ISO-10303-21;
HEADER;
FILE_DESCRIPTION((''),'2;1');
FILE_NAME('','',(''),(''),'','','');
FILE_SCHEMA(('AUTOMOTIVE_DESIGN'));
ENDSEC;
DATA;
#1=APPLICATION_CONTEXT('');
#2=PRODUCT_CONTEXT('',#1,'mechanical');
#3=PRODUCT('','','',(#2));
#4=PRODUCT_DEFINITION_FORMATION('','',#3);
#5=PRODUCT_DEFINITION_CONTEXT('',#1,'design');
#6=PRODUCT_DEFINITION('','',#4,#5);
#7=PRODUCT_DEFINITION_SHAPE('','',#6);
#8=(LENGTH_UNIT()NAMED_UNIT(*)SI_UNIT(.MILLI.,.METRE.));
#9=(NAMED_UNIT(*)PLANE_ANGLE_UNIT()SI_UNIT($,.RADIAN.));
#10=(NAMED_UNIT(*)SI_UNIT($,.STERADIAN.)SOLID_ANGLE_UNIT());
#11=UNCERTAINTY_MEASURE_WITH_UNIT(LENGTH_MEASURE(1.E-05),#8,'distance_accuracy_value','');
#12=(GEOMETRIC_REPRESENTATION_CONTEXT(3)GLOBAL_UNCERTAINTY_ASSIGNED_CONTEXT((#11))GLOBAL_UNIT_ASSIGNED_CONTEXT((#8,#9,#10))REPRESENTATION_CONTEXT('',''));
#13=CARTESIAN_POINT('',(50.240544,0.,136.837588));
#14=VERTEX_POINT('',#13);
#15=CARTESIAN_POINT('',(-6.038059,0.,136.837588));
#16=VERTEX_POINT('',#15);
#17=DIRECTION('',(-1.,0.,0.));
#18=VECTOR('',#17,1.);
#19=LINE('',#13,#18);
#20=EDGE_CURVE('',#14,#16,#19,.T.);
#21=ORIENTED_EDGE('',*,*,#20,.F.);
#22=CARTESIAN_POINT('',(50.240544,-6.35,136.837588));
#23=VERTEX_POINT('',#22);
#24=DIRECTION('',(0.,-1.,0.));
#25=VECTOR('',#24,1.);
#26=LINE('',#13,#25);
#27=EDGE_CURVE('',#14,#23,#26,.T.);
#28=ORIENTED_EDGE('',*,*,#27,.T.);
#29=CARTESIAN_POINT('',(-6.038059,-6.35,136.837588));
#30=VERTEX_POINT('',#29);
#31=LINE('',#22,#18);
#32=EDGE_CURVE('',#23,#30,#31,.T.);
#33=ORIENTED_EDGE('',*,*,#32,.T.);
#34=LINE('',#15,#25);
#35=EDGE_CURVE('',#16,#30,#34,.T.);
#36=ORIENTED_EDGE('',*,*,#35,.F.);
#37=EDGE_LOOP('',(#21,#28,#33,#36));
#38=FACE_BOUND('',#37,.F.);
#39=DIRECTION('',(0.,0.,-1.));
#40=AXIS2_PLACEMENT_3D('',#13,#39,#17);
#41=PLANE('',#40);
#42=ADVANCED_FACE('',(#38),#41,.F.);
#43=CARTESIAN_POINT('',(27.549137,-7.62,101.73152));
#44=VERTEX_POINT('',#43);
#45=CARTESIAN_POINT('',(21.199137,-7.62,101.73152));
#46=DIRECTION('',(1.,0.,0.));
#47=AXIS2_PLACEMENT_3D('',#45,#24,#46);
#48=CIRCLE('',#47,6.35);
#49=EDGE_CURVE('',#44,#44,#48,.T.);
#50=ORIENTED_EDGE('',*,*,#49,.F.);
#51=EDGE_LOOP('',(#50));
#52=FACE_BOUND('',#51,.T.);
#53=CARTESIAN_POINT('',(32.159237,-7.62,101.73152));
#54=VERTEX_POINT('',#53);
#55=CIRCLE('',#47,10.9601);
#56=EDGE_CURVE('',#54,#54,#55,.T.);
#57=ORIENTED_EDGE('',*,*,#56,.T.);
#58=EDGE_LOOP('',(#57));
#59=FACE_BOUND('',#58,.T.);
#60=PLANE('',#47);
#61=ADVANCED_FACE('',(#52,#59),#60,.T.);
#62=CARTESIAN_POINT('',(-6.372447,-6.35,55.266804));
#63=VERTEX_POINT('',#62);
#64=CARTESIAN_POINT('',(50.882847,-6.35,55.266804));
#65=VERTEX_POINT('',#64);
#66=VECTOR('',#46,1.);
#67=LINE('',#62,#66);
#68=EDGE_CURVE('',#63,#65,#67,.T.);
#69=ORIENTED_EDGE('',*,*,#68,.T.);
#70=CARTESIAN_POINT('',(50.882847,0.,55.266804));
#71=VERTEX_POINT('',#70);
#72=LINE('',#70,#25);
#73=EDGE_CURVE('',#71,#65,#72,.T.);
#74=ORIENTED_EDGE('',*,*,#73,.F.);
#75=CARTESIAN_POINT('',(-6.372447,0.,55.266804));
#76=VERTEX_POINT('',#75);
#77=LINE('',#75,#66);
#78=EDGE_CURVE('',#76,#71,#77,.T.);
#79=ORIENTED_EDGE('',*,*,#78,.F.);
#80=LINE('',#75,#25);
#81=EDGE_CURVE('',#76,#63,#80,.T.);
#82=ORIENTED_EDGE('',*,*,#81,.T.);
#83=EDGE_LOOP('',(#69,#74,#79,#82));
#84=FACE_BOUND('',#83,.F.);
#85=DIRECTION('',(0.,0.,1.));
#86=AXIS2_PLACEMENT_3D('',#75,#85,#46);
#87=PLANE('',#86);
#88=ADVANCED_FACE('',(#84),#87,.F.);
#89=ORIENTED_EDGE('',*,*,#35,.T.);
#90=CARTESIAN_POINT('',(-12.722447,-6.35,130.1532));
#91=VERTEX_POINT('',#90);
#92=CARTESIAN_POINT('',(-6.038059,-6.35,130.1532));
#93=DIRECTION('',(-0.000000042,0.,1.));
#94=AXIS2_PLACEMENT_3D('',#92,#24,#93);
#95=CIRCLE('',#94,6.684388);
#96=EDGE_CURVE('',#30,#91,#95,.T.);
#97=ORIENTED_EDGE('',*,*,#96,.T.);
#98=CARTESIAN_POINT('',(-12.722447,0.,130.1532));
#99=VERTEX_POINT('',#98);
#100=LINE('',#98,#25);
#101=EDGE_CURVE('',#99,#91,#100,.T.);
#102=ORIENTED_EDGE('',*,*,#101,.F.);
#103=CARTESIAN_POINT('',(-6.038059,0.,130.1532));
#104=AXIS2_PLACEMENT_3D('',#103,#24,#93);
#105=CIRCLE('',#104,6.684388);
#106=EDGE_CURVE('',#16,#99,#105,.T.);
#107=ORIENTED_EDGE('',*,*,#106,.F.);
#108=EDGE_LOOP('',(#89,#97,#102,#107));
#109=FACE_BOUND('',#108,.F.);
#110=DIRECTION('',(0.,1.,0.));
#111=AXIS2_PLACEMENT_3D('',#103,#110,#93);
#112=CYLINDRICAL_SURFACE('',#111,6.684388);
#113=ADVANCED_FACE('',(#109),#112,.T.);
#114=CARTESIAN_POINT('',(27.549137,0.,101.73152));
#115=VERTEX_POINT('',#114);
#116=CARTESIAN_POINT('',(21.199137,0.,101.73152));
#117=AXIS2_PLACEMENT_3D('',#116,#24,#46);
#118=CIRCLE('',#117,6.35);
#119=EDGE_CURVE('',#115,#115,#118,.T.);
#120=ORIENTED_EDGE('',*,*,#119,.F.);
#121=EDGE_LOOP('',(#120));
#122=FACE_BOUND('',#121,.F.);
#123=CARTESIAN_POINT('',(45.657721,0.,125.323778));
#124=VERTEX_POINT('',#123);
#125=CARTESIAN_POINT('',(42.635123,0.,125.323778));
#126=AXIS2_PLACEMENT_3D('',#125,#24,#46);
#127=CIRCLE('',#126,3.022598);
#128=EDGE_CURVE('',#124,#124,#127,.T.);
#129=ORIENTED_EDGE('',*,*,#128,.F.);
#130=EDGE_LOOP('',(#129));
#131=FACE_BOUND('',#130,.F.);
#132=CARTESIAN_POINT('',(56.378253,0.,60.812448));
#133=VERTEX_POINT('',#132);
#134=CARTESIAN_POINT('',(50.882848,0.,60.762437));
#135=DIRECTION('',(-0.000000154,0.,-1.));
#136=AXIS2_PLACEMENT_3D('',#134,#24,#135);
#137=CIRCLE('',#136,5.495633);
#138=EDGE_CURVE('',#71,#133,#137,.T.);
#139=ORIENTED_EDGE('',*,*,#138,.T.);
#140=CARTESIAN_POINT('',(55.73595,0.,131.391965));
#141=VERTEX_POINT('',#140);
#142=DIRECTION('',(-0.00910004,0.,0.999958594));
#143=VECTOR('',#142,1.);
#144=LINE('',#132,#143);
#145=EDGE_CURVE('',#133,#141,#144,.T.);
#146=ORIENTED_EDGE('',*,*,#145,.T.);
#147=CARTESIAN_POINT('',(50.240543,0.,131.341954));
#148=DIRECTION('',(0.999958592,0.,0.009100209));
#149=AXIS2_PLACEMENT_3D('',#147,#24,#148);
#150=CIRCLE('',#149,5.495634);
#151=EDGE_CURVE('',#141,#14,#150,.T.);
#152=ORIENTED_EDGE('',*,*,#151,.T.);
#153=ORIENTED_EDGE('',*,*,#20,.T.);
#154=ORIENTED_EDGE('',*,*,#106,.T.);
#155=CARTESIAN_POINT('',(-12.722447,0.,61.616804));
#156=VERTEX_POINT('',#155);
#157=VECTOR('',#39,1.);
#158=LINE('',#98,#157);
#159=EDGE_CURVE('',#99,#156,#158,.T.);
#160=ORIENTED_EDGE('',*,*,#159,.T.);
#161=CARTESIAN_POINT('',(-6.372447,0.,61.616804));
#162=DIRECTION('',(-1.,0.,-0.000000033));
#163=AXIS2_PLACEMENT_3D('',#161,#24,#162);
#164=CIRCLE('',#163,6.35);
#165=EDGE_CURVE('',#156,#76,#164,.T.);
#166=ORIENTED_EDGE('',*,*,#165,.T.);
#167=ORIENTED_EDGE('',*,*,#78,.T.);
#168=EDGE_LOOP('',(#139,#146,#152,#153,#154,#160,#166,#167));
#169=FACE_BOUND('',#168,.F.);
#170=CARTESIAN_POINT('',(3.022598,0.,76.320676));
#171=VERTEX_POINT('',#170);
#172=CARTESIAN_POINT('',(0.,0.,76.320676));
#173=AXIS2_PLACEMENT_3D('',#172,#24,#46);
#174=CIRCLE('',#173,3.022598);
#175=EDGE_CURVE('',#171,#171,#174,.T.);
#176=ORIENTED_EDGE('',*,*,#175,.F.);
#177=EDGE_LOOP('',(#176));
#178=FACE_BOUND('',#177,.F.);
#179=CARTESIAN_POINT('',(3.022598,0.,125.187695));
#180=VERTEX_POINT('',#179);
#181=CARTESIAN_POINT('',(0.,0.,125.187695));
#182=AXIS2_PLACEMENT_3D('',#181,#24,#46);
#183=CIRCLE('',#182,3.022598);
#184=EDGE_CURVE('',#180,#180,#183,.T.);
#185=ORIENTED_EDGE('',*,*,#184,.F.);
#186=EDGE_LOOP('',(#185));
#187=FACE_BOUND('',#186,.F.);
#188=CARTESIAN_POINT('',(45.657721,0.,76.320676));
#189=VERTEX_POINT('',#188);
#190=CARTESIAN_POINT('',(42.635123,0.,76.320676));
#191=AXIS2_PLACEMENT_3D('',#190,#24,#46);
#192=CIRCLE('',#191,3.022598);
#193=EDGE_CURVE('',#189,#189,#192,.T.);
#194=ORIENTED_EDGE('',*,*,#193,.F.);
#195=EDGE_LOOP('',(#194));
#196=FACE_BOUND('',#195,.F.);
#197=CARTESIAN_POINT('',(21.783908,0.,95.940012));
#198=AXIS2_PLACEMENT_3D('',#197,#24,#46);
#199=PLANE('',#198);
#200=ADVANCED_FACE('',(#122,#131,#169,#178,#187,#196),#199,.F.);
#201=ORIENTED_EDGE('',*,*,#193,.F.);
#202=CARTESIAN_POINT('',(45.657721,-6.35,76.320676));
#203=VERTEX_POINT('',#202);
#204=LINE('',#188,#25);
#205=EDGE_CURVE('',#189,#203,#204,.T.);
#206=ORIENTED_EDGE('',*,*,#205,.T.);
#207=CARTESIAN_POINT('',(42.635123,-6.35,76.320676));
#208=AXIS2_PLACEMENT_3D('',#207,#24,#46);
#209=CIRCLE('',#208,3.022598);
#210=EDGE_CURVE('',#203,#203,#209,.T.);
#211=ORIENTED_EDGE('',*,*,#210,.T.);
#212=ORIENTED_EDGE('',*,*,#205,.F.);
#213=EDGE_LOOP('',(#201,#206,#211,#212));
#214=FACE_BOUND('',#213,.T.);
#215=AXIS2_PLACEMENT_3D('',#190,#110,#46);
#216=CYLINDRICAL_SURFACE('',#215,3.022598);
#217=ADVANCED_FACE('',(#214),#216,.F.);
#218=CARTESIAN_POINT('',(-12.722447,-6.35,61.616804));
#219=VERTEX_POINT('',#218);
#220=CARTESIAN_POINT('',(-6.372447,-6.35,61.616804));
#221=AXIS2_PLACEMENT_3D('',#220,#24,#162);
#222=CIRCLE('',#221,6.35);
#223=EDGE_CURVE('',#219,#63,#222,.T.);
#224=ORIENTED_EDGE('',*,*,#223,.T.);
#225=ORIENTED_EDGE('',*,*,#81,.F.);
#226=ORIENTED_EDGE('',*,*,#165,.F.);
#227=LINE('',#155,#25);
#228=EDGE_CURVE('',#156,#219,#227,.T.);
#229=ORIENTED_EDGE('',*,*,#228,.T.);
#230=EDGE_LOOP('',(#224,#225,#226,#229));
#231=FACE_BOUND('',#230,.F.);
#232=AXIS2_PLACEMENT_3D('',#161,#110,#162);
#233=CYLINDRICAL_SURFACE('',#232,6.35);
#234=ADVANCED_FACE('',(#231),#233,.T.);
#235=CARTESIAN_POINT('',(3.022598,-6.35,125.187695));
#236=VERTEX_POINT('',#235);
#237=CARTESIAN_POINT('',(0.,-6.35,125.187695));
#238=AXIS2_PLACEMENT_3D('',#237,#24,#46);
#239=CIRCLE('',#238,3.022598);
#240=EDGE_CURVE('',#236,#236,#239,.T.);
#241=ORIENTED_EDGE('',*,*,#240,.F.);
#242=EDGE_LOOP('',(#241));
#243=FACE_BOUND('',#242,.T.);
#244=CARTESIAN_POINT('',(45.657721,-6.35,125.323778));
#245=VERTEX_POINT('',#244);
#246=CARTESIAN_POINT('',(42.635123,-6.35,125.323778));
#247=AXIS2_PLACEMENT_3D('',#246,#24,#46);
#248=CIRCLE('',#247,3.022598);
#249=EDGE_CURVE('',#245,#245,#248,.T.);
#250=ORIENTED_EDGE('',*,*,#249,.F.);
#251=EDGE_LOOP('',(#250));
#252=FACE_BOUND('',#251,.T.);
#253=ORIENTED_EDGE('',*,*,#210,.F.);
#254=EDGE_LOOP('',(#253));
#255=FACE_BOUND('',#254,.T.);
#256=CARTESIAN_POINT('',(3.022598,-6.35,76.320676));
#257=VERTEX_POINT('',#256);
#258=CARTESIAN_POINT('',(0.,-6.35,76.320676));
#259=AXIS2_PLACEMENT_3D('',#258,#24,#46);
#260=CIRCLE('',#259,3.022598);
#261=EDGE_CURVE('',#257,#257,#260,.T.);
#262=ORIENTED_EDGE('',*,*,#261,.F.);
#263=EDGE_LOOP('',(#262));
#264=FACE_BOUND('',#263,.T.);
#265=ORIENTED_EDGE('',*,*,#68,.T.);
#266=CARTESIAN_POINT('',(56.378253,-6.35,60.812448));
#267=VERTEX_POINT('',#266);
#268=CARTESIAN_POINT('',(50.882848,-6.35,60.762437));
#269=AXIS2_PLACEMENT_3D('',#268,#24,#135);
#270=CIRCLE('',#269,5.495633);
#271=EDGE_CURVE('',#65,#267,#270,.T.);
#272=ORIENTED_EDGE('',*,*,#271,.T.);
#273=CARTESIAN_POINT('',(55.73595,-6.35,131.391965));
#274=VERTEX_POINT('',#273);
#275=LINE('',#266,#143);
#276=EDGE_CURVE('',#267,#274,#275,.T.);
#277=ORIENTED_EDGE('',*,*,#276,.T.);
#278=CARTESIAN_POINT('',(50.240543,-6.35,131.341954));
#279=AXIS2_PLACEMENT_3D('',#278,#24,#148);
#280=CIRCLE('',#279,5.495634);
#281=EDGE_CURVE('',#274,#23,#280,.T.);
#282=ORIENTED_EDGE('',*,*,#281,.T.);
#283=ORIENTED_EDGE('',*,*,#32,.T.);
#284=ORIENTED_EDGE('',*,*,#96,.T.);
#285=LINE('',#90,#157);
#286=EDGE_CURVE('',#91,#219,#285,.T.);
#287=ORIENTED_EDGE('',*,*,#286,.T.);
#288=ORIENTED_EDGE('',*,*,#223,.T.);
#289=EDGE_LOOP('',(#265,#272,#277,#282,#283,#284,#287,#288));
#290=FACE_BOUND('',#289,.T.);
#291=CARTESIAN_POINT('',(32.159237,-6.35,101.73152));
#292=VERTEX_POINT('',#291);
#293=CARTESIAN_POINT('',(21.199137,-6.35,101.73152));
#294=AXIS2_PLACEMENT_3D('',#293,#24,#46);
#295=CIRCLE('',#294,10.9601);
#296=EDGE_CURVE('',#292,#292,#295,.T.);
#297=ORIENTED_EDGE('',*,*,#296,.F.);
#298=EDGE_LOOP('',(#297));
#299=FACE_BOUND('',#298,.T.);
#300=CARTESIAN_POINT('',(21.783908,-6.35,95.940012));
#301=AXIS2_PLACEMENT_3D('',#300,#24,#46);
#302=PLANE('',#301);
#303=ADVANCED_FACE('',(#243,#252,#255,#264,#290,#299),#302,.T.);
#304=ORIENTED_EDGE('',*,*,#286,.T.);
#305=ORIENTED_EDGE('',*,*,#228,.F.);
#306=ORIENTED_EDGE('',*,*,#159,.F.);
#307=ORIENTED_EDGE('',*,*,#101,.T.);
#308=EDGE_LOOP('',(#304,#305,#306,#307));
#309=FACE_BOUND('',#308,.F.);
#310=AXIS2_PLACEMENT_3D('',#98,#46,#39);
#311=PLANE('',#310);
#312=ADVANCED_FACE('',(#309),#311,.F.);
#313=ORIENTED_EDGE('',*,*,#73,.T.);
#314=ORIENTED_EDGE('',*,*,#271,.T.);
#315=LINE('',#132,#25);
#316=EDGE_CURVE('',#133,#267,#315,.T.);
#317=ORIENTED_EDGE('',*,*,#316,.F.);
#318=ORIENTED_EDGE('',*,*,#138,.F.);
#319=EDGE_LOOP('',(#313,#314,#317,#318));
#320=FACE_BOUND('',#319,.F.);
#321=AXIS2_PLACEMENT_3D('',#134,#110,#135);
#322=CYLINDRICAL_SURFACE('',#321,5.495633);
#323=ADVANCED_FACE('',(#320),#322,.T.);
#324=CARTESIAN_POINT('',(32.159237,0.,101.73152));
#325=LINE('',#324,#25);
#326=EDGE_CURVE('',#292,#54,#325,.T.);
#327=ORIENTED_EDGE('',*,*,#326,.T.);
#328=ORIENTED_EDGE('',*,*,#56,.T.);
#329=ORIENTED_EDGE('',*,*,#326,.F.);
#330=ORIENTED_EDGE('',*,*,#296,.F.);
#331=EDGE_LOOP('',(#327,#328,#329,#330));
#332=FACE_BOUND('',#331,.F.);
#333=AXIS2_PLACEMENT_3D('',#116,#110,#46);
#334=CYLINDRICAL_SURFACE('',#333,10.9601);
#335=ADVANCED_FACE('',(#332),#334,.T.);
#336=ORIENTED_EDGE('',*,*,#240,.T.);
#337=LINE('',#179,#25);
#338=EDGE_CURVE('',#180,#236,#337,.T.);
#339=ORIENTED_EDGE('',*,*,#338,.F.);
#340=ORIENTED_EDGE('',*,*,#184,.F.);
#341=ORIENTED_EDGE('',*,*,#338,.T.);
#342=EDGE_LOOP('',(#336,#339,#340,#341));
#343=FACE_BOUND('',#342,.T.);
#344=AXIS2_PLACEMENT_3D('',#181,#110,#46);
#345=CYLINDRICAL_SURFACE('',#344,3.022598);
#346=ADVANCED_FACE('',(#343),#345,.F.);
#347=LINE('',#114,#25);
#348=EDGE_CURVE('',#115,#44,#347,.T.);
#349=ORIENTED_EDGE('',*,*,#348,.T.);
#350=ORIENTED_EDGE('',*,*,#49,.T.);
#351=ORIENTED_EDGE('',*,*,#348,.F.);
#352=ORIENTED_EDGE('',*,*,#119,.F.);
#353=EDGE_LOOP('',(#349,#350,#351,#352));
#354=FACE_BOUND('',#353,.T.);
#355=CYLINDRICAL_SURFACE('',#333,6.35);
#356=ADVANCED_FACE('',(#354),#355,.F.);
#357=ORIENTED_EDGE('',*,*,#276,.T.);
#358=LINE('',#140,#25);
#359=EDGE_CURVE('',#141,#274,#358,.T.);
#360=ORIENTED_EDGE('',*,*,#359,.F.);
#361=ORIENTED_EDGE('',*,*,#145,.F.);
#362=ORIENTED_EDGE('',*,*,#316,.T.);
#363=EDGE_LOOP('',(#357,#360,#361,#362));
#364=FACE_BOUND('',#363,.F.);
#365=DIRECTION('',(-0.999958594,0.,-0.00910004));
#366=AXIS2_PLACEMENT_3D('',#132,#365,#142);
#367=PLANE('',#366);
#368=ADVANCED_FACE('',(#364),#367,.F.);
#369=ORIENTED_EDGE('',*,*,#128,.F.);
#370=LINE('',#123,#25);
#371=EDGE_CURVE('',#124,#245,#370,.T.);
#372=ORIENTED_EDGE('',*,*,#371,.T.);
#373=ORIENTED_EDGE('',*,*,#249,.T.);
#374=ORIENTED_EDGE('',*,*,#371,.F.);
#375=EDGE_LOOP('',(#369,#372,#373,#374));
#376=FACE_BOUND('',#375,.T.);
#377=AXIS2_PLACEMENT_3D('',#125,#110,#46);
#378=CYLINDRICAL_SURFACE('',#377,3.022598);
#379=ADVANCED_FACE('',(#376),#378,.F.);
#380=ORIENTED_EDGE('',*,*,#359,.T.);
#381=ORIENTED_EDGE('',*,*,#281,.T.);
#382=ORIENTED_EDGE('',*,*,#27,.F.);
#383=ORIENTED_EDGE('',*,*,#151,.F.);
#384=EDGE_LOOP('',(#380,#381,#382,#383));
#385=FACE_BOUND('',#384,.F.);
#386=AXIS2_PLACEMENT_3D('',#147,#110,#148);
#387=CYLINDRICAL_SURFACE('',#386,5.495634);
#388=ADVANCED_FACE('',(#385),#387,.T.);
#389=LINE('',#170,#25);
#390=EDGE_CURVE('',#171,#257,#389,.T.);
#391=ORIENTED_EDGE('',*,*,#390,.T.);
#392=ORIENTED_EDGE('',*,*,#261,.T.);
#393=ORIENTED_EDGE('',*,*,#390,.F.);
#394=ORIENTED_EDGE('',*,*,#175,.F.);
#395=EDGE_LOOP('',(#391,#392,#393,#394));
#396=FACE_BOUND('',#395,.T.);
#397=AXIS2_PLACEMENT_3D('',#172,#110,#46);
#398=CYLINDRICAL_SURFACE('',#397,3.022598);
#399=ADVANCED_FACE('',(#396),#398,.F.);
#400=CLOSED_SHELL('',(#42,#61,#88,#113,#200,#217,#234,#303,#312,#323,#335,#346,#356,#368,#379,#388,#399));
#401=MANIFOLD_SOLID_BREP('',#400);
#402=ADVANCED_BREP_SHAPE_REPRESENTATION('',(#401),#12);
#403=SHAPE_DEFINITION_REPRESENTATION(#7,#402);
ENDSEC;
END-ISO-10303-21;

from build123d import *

# Parameters (mm, degrees)
F0_R     = 3.022598
F0_R_2   = 10.9601
F1_DEPTH = 6.35
F0_R_3   = 6.35
F2_DEPTH = 7.62


with BuildPart() as f1:
    # F0 (on Front) → F1 (new body)
    with BuildSketch(Plane.XZ):
        with BuildLine():
            Line((-6.372447, 55.266804), (50.882847, 55.266804))
            ThreePointArc((50.882847, 55.266804), (54.786488, 56.894159), (56.378253, 60.812448))
            Line((56.378253, 60.812448), (55.73595, 131.391965))
            ThreePointArc((55.73595, 131.391965), (54.108822, 135.245595), (50.240544, 136.837588))
            Line((50.240544, 136.837588), (-6.038059, 136.837588))
            ThreePointArc((-6.038059, 136.837588), (-10.764635, 134.879776), (-12.722447, 130.1532))
            Line((-12.722447, 130.1532), (-12.722447, 61.616804))
            ThreePointArc((-12.722447, 61.616804), (-10.862575, 57.126676), (-6.372447, 55.266804))
        make_face()
        with Locations((0, 76.320676)):
            Circle(F0_R, mode=Mode.SUBTRACT)
        with Locations((42.635123, 76.320676)):
            Circle(F0_R, mode=Mode.SUBTRACT)
        with Locations((21.199137, 101.73152)):
            Circle(F0_R_2, mode=Mode.SUBTRACT)
        with Locations((0, 125.187695)):
            Circle(F0_R, mode=Mode.SUBTRACT)
        with Locations((42.635123, 125.323778)):
            Circle(F0_R, mode=Mode.SUBTRACT)
    extrude(amount=F1_DEPTH)

    # F0 (on Front) → F2 (join)
    with BuildSketch(Plane.XZ):
        with Locations((21.199137, 101.73152)):
            Circle(F0_R_2)
        with Locations((21.199137, 101.73152)):
            Circle(F0_R_3, mode=Mode.SUBTRACT)
    extrude(amount=F2_DEPTH)


solid = f1.part
